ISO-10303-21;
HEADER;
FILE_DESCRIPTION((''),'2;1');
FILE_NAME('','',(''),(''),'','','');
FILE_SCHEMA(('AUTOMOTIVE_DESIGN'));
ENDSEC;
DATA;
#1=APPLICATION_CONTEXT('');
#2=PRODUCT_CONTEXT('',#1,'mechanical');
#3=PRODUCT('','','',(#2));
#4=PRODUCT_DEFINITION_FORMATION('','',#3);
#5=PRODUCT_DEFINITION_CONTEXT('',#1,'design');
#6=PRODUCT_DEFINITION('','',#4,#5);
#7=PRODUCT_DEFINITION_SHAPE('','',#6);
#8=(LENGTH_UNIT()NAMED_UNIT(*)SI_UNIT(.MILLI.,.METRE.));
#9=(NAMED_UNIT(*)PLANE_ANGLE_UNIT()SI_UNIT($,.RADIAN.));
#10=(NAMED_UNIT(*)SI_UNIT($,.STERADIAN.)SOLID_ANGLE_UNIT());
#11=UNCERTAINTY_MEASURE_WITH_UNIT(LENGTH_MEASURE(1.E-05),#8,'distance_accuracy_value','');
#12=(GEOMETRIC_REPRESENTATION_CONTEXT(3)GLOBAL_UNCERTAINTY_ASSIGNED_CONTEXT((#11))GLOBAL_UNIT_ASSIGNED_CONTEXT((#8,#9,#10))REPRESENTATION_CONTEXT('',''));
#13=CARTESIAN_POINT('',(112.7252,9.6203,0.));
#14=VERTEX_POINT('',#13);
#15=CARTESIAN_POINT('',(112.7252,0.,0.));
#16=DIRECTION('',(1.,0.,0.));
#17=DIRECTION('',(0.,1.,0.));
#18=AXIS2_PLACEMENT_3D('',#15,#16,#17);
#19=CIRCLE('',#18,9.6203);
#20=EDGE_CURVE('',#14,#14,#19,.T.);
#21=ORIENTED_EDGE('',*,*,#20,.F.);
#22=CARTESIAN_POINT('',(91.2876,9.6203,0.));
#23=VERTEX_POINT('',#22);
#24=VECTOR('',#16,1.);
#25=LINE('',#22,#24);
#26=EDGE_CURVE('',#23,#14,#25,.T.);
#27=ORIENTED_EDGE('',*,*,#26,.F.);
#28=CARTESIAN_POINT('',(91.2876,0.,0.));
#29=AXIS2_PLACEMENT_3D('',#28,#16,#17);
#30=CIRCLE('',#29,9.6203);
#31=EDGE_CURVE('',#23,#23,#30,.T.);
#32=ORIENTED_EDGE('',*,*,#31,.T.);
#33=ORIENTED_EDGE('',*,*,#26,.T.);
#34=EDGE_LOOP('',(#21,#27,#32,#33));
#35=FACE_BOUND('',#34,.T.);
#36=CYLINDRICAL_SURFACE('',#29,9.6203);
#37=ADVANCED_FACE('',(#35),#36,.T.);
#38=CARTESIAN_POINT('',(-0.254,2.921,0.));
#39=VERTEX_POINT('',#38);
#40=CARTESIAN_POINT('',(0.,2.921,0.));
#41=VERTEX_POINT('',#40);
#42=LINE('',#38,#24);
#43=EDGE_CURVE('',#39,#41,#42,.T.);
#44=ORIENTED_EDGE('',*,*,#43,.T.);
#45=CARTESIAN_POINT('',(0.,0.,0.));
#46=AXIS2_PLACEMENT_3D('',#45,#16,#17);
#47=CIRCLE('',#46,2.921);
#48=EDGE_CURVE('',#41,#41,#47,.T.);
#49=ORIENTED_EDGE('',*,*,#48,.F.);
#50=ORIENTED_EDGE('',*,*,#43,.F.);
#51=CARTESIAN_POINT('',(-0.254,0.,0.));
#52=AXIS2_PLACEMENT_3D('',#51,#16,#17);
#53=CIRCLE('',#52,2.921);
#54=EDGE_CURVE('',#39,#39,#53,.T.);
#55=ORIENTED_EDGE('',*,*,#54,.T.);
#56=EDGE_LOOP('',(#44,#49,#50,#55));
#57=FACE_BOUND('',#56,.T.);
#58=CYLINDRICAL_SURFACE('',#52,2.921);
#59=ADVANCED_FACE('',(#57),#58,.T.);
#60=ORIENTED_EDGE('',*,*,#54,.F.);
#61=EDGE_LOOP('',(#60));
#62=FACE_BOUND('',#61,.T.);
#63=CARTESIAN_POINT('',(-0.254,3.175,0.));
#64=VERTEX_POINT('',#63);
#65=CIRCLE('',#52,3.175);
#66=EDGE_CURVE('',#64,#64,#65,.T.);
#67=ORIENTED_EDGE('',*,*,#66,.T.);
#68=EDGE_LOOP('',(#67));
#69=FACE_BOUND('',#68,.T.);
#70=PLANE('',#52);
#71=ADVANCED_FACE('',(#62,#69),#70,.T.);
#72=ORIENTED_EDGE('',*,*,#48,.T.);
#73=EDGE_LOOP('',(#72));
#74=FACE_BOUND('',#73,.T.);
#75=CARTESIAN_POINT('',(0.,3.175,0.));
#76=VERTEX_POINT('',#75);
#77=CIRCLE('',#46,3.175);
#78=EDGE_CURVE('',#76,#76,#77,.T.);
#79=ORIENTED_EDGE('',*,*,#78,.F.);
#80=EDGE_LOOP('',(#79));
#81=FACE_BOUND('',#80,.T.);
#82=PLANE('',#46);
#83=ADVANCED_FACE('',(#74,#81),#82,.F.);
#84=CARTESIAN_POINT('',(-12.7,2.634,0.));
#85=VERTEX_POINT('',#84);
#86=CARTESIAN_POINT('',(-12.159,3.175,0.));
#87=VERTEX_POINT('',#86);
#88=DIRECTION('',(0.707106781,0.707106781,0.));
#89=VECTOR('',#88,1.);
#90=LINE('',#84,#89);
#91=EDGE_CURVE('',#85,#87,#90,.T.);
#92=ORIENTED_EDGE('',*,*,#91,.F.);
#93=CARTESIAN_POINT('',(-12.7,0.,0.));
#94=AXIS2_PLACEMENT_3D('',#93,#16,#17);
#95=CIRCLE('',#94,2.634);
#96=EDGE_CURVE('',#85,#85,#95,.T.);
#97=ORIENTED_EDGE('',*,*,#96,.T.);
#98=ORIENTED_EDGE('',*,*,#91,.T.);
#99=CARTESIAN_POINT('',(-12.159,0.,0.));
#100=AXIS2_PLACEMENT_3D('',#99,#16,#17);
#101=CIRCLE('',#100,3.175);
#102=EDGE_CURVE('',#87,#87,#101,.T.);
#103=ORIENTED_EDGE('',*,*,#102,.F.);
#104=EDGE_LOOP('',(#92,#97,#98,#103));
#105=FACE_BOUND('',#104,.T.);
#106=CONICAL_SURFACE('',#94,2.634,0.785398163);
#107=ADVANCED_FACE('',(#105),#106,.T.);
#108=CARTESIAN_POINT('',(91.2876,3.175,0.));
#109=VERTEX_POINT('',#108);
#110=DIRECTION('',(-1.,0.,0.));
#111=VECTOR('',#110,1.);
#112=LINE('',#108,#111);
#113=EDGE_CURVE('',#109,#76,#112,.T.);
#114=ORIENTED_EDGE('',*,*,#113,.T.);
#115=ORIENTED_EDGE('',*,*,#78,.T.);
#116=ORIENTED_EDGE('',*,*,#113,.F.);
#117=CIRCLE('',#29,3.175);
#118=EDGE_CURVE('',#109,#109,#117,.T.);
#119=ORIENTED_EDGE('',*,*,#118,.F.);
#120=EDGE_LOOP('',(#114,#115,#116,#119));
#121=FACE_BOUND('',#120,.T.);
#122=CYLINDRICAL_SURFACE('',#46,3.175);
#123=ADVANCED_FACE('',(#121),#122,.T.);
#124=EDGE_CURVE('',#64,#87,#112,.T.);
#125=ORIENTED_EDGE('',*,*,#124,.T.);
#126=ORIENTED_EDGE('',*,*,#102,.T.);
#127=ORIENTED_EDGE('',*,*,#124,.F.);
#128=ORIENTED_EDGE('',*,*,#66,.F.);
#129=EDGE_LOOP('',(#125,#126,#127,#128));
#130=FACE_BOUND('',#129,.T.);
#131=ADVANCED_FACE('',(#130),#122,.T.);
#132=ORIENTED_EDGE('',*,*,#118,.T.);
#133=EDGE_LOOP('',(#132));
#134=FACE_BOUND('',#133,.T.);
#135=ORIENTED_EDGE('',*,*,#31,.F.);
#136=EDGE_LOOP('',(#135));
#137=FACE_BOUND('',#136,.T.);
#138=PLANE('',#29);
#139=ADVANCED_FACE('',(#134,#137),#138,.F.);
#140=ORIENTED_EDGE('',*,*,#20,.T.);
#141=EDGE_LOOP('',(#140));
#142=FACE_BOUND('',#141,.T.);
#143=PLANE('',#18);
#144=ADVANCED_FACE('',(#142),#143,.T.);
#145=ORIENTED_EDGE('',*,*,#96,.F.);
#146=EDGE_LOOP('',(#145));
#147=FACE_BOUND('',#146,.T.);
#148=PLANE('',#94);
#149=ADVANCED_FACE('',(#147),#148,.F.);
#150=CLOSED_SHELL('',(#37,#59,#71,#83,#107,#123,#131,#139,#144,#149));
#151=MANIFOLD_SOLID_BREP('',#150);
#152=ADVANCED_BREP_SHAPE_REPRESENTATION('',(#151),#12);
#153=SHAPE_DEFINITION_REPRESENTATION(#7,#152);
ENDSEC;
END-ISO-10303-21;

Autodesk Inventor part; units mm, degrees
sketch "Sketch_1" plane through (0, 0, 0) normal (0, 0, 1) x (1, 0, 0)
  line L0 (112.7252, 0) -> (0, 0)
  line L1 (0, 0) -> (0, 3.175)
  line L2 (0, 3.175) -> (91.2876, 3.175)
  line L3 (91.2876, 3.175) -> (91.2876, 9.6203)
  line L4 (91.2876, 9.6203) -> (112.7252, 9.6203)
  line L5 (112.7252, 9.6203) -> (112.7252, 0)
  line L6 (112.7252, 0) -> (0, 0)
revolve "Revolution1" add sketch "Sketch_1" angle 360 about axis through (112.7252, 0, 0) along (1, 0, 0)
sketch "Sketch_3" plane through (0, 0, 0) normal (0, 0, 1) x (1, 0, 0)
  line L0 (0, 0) -> (-12.7, 0)
  line L1 (-12.7, 0) -> (-12.7, 2.634)
  line L2 (-12.7, 2.634) -> (-12.159, 3.175)
  line L3 (-12.159, 3.175) -> (0, 3.175)
  line L4 (0, 3.175) -> (0, 0)
  line L5 (0, 0) -> (-12.7, 0)
revolve "Revolution2" add sketch "Sketch_3" angle 360 about axis through (0, 0, 0) along (1, 0, 0)
thread "Thread1" size "1/4-28 UNF" class "3A" standard "ANSI Unified Screw Threads" length 12.7 offset 91.2876
sketch "Sketch_30" plane through (0, 0, 0) normal (0, 0, 1) x (1, 0, 0)
  line L0 (0, 0) -> (-0.254, 0)
  line L1 (-0.254, 3.429) -> (-0.254, 2.921)
  line L2 (-0.254, 2.921) -> (0, 2.921)
  line L3 (0, 2.921) -> (0, 3.429)
  line L4 (0, 3.429) -> (-0.254, 3.429)
revolve "Revolution3" cut sketch "Sketch_30" angle 360 about axis through (0, 0, 0) along (1, 0, 0)
ref_plane "rod_cp_XY" through (0, 0, 0) normal (1, 0, 0) x (0, 0, -1)
ref_plane "rod_cp_YZ" through (0, 0, 0) normal (0, 0, -1) x (0, 1, 0)
ref_plane "rod_cp_ZX" through (0, 0, 0) normal (0, 1, 0) x (1, 0, 0)
ref_plane "to_rod_clevis_XY" through (-12.7, 0, 0) normal (1, 0, 0) x (0, 0, -1)
ref_plane "to_rod_clevis_YZ" through (-12.7, 0, 0) normal (0, 0, -1) x (0, 1, 0)
ref_plane "to_rod_clevis_ZX" through (-12.7, 0, 0) normal (0, 1, 0) x (1, 0, 0)
ref_plane "rl2_XY" through (0, 0, 0) normal (1, 0, 0) x (0, 0, -1)
ref_plane "rl2_YZ" through (0, 0, 0) normal (0, 0, -1) x (0, 1, 0)
ref_plane "rl2_ZX" through (0, 0, 0) normal (0, 1, 0) x (1, 0, 0)
ref_plane "rl1_XY" through (-12.7, 0, 0) normal (1, 0, 0) x (0, 0, -1)
ref_plane "rl1_YZ" through (-12.7, 0, 0) normal (0, 0, -1) x (0, 1, 0)
ref_plane "rl1_ZX" through (-12.7, 0, 0) normal (0, 1, 0) x (1, 0, 0)
ref_plane "thd1_XY" through (-12.7, 3.175, 0) normal (1, 0, 0) x (0, 0, -1)
ref_plane "thd1_YZ" through (-12.7, 3.175, 0) normal (0, 0, -1) x (0, 1, 0)
ref_plane "thd1_ZX" through (-12.7, 3.175, 0) normal (0, 1, 0) x (1, 0, 0)
ref_plane "thd2_XY" through (-12.7, -3.175, 0) normal (1, 0, 0) x (0, 0, -1)
ref_plane "thd2_YZ" through (-12.7, -3.175, 0) normal (0, 0, -1) x (0, 1, 0)
ref_plane "thd2_ZX" through (-12.7, -3.175, 0) normal (0, 1, 0) x (1, 0, 0)
ref_plane "dia1_XY" through (0, 3.175, 0) normal (1, 0, 0) x (0, 0, -1)
ref_plane "dia1_YZ" through (0, 3.175, 0) normal (0, 0, -1) x (0, 1, 0)
ref_plane "dia1_ZX" through (0, 3.175, 0) normal (0, 1, 0) x (1, 0, 0)
ref_plane "dia2_XY" through (0, -3.175, 0) normal (1, 0, 0) x (0, 0, -1)
ref_plane "dia2_YZ" through (0, -3.175, 0) normal (0, 0, -1) x (0, 1, 0)
ref_plane "dia2_ZX" through (0, -3.175, 0) normal (0, 1, 0) x (1, 0, 0)
ref_plane "hh1_XY" through (142.8496, 0, 0) normal (0, 0, 1) x (1, 0, 0)
ref_plane "hh1_YZ" through (142.8496, 0, 0) normal (1, 0, 0) x (0, 1, 0)
ref_plane "hh1_ZX" through (142.8496, 0, 0) normal (0, 1, 0) x (0, 0, 1)
ref_plane "hh2_XY" through (149.2504, 0, 0) normal (0, 0, 1) x (1, 0, 0)
ref_plane "hh2_YZ" through (149.2504, 0, 0) normal (1, 0, 0) x (0, 1, 0)
ref_plane "hh2_ZX" through (149.2504, 0, 0) normal (0, 1, 0) x (0, 0, 1)
ref_plane "dia12_XY" through (0, 0, 10.9537) normal (1, 0, 0) x (0, 0, -1)
ref_plane "dia12_YZ" through (0, 0, 10.9537) normal (0, 0, -1) x (0, 1, 0)
ref_plane "dia12_ZX" through (0, 0, 10.9537) normal (0, 1, 0) x (1, 0, 0)
ref_plane "dia22_XY" through (0, 0, -10.9537) normal (1, 0, 0) x (0, 0, -1)
ref_plane "dia22_YZ" through (0, 0, -10.9537) normal (0, 0, -1) x (0, 1, 0)
ref_plane "dia22_ZX" through (0, 0, -10.9537) normal (0, 1, 0) x (1, 0, 0)
properties part number "042-DXP0_rod"
